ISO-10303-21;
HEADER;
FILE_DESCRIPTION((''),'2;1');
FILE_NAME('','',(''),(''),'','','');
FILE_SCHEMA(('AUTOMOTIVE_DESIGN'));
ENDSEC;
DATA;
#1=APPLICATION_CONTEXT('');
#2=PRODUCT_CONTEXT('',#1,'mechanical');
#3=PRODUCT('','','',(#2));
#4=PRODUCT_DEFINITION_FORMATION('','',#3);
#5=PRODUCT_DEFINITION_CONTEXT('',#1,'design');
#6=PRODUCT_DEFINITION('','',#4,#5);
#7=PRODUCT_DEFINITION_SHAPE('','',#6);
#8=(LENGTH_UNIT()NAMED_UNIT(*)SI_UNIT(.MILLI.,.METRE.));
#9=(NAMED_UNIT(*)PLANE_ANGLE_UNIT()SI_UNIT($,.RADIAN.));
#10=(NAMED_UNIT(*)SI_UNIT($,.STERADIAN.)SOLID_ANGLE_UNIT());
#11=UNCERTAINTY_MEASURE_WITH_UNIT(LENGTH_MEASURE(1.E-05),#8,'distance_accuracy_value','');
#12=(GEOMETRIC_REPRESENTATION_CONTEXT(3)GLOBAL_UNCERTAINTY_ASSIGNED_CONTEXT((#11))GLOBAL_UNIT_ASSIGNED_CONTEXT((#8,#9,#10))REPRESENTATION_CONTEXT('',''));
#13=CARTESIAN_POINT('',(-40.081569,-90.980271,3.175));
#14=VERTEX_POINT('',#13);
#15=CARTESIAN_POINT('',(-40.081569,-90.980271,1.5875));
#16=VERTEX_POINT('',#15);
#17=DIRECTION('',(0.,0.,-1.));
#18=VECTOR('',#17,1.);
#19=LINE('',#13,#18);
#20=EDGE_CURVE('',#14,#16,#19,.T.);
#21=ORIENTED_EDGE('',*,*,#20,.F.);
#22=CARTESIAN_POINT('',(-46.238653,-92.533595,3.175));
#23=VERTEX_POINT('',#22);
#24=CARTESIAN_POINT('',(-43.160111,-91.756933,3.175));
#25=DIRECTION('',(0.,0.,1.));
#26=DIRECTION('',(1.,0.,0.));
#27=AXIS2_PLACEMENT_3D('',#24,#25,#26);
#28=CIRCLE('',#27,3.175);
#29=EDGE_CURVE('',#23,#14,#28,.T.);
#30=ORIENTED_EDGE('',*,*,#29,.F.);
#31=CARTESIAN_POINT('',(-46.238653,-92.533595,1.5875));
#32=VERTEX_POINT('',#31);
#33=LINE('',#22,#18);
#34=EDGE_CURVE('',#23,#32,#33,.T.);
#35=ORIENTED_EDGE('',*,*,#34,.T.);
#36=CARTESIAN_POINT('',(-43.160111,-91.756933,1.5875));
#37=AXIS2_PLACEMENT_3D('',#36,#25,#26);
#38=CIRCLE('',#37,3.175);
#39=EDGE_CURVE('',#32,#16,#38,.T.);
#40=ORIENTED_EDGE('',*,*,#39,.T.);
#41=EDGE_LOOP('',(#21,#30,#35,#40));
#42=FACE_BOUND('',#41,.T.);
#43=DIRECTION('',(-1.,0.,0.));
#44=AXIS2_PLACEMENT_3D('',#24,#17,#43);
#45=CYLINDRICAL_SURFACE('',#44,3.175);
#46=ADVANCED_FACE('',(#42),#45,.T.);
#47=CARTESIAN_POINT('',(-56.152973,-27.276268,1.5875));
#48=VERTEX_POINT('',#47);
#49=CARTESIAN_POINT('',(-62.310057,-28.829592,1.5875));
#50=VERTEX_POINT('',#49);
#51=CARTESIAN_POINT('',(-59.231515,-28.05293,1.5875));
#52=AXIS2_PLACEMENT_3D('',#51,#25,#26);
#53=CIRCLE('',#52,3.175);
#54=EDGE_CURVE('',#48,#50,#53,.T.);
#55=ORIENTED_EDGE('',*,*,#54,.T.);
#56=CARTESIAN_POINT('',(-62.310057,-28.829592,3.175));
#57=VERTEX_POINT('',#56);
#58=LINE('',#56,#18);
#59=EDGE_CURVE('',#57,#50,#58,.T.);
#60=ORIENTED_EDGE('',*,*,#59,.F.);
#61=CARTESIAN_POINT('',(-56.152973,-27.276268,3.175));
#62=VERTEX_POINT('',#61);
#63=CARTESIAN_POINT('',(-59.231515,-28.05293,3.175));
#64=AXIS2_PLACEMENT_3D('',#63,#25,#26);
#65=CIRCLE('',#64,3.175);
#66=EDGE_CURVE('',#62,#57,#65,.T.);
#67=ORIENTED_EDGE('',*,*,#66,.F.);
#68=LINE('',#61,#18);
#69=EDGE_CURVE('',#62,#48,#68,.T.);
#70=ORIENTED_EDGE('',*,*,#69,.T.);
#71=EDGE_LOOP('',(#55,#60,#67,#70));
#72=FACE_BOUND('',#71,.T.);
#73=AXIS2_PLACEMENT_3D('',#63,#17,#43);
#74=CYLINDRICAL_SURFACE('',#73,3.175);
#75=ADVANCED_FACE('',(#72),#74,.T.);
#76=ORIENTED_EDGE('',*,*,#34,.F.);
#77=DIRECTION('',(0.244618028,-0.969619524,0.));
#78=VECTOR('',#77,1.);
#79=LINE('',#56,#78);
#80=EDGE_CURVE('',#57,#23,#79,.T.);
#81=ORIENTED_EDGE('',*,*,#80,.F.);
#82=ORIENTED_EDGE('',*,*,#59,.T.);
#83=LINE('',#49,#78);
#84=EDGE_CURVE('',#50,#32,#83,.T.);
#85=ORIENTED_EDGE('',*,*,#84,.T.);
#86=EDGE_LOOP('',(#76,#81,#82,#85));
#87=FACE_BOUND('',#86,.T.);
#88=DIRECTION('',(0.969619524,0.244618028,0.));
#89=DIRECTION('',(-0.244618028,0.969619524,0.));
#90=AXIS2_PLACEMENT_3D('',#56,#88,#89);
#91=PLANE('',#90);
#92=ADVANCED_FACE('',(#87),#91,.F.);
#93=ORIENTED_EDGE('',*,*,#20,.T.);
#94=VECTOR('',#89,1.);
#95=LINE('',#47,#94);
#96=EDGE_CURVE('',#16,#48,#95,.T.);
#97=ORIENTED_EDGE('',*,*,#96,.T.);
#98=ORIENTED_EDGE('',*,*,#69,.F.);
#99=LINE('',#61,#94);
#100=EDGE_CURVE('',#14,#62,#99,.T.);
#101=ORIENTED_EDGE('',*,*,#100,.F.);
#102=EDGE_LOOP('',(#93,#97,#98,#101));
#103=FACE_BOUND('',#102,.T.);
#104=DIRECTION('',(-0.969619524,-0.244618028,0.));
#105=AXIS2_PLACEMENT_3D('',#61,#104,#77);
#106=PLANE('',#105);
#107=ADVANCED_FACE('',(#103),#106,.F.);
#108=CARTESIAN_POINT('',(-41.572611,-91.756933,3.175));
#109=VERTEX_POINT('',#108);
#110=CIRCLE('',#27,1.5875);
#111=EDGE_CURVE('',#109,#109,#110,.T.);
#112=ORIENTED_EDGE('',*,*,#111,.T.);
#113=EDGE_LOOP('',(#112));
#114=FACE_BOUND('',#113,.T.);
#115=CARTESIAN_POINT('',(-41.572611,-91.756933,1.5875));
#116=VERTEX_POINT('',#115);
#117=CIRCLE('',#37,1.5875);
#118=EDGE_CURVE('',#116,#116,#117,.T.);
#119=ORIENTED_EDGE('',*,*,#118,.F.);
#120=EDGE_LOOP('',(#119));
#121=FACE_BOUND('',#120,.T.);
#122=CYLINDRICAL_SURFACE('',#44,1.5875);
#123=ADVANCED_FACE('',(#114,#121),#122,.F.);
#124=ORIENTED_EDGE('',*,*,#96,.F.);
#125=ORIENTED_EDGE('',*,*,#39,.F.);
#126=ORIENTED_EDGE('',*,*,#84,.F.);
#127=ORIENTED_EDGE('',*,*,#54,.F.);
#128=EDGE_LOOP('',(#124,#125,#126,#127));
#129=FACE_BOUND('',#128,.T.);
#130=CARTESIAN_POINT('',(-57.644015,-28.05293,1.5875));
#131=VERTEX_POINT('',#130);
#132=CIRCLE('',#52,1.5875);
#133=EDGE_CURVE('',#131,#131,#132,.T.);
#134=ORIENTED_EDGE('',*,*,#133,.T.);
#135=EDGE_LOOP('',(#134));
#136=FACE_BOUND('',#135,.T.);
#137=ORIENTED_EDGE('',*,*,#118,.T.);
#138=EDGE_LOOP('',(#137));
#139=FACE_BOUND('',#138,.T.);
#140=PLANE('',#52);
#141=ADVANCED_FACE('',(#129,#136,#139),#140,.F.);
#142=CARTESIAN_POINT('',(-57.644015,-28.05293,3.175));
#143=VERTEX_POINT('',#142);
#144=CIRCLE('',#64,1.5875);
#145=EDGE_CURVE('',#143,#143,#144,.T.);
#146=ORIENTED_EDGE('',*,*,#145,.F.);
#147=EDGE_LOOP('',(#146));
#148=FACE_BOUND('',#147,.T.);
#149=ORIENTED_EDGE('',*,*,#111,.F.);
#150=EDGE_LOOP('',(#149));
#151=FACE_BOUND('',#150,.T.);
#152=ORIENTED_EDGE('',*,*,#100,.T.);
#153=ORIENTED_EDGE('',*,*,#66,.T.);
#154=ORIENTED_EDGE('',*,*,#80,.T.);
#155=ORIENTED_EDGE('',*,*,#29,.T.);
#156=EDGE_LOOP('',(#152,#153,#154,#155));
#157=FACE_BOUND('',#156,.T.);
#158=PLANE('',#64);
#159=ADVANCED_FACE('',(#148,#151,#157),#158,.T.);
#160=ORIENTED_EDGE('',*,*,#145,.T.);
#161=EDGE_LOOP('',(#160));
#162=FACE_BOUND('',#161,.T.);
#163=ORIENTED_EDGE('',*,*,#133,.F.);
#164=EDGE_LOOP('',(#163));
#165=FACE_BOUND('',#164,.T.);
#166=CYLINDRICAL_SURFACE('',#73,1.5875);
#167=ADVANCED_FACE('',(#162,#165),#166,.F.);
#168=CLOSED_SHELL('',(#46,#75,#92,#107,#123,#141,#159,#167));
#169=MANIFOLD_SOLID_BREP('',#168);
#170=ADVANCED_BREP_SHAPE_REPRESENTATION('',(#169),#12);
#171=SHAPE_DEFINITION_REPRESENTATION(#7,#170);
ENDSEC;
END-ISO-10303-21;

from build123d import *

# Parameters (mm, degrees)
BOSS_EXTRUDE1_START = 1.5875
SKETCH1_R           = 1.5875
BOSS_EXTRUDE1_DEPTH = 1.5875


with BuildPart() as part:
    # Sketch1 → Boss-Extrude1 (new body)
    with BuildSketch(Plane.XY.offset(BOSS_EXTRUDE1_START)):
        with BuildLine():
            Line((-56.152972974, -27.276267992), (-40.081568537, -90.980270687))
            ThreePointArc((-40.081568537, -90.980270687), (-42.383448285, -94.835474913), (-46.238652511, -92.533595165))
            Line((-46.238652511, -92.533595165), (-62.310056949, -28.82959247))
            ThreePointArc((-62.310056949, -28.82959247), (-60.0081772, -24.974388244), (-56.152972974, -27.276267992))
        make_face()
        with Locations((-43.160110524, -91.756932926)):
            Circle(SKETCH1_R, mode=Mode.SUBTRACT)
        with Locations((-59.231514961, -28.052930231)):
            Circle(SKETCH1_R, mode=Mode.SUBTRACT)
    extrude(amount=BOSS_EXTRUDE1_DEPTH)


solid = part.part
